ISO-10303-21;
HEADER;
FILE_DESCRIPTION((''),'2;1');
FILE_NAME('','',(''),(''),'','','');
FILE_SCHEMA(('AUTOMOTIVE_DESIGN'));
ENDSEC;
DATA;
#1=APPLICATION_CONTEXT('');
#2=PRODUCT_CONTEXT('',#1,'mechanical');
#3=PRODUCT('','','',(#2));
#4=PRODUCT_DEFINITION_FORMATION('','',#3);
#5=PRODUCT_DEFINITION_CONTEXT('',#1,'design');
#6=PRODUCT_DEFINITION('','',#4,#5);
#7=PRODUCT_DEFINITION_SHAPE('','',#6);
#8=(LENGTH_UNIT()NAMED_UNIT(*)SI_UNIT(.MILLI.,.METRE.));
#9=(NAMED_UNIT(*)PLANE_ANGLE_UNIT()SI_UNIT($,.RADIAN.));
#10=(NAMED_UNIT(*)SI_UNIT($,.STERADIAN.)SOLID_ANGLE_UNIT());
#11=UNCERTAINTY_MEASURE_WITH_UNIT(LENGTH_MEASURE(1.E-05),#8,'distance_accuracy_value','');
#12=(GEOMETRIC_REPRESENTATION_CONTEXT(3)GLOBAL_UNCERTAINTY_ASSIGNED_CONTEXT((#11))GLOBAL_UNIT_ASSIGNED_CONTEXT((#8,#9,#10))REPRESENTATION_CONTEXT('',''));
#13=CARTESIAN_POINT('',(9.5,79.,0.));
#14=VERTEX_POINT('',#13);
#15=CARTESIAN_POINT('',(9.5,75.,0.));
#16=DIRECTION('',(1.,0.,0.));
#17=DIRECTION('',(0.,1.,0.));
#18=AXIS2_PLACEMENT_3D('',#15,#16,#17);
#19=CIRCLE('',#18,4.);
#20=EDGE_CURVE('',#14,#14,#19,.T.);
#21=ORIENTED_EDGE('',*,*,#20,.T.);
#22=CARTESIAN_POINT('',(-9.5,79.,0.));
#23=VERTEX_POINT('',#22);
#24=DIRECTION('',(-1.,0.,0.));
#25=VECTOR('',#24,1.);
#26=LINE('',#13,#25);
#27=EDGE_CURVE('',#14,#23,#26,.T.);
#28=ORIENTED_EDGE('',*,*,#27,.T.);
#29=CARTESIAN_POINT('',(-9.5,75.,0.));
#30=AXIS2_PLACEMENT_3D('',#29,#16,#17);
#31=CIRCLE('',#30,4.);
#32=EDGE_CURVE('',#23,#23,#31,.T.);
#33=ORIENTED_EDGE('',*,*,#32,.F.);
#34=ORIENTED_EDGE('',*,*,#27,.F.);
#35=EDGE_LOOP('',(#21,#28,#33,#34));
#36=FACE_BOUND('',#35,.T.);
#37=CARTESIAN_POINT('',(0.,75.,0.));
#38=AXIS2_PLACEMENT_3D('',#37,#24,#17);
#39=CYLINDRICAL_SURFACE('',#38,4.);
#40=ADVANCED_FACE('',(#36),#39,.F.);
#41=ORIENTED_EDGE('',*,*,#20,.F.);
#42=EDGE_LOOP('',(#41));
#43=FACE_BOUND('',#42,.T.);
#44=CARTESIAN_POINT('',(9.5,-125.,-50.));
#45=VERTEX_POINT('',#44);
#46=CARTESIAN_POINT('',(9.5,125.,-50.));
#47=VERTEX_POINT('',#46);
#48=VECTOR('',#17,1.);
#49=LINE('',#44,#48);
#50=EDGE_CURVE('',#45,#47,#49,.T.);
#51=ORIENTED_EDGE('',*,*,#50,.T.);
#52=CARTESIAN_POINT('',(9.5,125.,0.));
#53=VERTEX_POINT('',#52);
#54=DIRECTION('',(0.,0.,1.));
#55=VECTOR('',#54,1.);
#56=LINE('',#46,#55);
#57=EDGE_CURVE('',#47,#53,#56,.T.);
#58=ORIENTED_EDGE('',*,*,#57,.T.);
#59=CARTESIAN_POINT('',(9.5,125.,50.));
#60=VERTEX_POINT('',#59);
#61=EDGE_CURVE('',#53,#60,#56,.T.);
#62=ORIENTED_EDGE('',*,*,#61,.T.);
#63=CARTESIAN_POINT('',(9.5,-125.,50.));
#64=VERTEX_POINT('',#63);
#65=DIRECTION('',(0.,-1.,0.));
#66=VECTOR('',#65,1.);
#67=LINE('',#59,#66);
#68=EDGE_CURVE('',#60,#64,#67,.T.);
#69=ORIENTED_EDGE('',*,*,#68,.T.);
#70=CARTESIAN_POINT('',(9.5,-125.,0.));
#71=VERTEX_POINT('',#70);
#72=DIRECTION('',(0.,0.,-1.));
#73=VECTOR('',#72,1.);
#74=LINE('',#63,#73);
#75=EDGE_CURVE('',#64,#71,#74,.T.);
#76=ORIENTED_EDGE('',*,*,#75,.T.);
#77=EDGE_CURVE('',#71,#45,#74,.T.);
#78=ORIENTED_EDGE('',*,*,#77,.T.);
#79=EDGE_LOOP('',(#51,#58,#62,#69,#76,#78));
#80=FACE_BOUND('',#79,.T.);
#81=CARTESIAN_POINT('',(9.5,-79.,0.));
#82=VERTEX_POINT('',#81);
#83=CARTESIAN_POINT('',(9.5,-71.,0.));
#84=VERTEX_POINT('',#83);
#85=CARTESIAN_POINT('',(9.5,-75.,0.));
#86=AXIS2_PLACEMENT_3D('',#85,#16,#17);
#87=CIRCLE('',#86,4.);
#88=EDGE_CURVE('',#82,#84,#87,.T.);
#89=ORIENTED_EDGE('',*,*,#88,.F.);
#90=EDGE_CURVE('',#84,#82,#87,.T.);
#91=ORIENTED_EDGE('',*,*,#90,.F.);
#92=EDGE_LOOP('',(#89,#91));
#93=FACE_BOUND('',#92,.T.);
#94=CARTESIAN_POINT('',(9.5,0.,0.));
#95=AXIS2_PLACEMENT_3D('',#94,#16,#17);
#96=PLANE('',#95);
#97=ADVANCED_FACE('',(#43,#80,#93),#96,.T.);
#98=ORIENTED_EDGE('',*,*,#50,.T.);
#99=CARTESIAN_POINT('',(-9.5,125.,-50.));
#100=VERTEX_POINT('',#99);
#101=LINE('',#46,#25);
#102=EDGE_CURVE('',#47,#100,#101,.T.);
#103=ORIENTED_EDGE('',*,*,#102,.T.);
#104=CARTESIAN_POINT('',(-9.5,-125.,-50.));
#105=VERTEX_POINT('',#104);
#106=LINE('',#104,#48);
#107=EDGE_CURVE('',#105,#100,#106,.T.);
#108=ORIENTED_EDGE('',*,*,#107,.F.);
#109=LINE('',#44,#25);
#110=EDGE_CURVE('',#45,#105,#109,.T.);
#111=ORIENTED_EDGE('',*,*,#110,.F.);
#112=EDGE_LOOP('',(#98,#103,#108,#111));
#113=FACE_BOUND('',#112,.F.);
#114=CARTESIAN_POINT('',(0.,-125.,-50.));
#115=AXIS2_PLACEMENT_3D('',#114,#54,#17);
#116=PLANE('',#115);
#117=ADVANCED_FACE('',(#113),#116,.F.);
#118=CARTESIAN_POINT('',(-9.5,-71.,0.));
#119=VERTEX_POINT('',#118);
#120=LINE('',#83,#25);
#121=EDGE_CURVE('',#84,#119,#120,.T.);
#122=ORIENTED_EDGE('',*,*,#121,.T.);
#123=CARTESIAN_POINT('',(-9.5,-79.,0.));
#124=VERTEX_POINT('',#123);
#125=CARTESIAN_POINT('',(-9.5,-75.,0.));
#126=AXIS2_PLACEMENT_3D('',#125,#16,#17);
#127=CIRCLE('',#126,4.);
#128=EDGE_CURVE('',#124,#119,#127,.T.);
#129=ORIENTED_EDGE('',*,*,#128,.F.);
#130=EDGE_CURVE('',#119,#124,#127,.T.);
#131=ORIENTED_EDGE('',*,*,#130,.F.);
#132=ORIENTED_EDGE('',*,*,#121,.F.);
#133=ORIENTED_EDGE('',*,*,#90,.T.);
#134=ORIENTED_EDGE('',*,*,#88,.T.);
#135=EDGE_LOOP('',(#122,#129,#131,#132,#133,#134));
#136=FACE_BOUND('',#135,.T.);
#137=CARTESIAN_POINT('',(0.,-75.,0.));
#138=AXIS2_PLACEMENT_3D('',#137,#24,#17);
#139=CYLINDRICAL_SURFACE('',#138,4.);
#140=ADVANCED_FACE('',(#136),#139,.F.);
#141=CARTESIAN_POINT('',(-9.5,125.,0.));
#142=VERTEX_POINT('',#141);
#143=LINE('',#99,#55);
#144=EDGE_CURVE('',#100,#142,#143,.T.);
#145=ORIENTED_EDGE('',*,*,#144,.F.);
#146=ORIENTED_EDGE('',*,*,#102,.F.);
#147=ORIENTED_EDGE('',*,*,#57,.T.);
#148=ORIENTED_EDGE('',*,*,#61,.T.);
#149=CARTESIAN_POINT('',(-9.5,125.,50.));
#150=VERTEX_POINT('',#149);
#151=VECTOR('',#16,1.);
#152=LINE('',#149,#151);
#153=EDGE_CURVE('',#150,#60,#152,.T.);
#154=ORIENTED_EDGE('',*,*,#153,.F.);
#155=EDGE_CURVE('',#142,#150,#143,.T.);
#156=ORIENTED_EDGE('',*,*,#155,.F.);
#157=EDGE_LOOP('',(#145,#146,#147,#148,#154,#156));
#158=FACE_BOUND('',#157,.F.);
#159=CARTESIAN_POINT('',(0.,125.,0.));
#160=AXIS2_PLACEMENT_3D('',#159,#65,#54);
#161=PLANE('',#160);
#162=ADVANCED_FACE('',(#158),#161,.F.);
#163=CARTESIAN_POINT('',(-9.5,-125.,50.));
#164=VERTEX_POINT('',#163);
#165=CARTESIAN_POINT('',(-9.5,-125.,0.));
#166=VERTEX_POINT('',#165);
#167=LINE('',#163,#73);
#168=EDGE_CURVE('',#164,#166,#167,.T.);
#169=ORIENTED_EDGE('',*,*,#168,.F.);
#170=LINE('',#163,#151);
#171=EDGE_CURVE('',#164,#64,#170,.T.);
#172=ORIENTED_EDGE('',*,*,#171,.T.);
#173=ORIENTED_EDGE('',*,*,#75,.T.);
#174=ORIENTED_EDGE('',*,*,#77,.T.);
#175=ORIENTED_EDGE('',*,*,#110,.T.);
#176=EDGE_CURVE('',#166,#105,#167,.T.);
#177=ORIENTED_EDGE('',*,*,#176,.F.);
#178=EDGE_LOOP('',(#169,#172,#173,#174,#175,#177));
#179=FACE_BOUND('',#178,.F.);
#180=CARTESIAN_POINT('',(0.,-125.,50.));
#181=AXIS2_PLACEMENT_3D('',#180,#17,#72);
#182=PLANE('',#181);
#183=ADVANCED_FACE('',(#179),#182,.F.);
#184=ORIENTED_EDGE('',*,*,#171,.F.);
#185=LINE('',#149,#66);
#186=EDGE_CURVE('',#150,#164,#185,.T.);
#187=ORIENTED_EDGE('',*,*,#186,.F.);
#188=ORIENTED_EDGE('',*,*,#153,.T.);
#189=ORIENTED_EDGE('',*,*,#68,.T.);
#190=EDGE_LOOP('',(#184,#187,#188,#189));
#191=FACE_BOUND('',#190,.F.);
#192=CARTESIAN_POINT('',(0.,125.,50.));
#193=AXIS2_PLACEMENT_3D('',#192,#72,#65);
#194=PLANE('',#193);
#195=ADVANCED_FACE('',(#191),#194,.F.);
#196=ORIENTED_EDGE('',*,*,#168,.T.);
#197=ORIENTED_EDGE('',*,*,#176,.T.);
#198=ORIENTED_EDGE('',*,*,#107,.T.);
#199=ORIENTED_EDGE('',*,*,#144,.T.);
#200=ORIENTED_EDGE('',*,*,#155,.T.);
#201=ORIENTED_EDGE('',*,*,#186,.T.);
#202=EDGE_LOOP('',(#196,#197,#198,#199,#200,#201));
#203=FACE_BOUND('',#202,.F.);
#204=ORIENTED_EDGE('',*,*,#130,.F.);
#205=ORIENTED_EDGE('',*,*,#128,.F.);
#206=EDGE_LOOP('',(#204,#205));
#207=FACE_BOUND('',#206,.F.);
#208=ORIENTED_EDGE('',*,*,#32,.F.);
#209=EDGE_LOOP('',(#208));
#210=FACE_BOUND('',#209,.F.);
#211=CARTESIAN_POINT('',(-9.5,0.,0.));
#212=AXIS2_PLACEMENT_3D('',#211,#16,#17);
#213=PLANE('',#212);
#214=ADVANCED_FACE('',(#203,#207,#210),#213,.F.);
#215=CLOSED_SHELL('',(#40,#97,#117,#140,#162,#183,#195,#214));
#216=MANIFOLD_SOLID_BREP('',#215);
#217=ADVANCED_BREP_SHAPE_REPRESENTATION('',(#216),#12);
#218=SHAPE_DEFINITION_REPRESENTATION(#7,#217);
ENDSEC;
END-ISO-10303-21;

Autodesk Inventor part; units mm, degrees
ref_plane "YZ Plane" through (0, 0, 0) normal (1, 0, 0) x (0, 1, 0)
ref_plane "XZ Plane" through (0, 0, 0) normal (0, 1, 0) x (-1, 0, 0)
ref_plane "XY Plane" through (0, 0, 0) normal (0, 0, 1) x (1, 0, 0)
sketch "Sketch1" plane through (0, 0, 0) normal (1, 0, 0) x (0, 1, 0)
  line L0 (125, 50) -> (-125, 50)
  line L1 (-125, 50) -> (-125, -50)
  line L2 (-125, -50) -> (125, -50)
  line L3 (125, -50) -> (125, 50)
  line L4 (125, 50) -> (-125, -50) construction
  line L5 (-125, 50) -> (125, -50) construction
  line L6 (125, 0) -> (75, 0)
  line L7 (-125, 0) -> (-75, 0)
  circle A0 centre (-75, 0) radius 4
  circle A1 centre (75, 0) radius 4
  point P0 (0, 0)
  dimension "d0" = 250
  dimension "d1" = 100
  dimension "d2" = 50
  dimension "d3" = 50
  dimension "d4" = 8
  dimension "d5" = 8
extrude "Extrusion1" add sketch "Sketch1" along normal mid plane 19
properties part number "H"
